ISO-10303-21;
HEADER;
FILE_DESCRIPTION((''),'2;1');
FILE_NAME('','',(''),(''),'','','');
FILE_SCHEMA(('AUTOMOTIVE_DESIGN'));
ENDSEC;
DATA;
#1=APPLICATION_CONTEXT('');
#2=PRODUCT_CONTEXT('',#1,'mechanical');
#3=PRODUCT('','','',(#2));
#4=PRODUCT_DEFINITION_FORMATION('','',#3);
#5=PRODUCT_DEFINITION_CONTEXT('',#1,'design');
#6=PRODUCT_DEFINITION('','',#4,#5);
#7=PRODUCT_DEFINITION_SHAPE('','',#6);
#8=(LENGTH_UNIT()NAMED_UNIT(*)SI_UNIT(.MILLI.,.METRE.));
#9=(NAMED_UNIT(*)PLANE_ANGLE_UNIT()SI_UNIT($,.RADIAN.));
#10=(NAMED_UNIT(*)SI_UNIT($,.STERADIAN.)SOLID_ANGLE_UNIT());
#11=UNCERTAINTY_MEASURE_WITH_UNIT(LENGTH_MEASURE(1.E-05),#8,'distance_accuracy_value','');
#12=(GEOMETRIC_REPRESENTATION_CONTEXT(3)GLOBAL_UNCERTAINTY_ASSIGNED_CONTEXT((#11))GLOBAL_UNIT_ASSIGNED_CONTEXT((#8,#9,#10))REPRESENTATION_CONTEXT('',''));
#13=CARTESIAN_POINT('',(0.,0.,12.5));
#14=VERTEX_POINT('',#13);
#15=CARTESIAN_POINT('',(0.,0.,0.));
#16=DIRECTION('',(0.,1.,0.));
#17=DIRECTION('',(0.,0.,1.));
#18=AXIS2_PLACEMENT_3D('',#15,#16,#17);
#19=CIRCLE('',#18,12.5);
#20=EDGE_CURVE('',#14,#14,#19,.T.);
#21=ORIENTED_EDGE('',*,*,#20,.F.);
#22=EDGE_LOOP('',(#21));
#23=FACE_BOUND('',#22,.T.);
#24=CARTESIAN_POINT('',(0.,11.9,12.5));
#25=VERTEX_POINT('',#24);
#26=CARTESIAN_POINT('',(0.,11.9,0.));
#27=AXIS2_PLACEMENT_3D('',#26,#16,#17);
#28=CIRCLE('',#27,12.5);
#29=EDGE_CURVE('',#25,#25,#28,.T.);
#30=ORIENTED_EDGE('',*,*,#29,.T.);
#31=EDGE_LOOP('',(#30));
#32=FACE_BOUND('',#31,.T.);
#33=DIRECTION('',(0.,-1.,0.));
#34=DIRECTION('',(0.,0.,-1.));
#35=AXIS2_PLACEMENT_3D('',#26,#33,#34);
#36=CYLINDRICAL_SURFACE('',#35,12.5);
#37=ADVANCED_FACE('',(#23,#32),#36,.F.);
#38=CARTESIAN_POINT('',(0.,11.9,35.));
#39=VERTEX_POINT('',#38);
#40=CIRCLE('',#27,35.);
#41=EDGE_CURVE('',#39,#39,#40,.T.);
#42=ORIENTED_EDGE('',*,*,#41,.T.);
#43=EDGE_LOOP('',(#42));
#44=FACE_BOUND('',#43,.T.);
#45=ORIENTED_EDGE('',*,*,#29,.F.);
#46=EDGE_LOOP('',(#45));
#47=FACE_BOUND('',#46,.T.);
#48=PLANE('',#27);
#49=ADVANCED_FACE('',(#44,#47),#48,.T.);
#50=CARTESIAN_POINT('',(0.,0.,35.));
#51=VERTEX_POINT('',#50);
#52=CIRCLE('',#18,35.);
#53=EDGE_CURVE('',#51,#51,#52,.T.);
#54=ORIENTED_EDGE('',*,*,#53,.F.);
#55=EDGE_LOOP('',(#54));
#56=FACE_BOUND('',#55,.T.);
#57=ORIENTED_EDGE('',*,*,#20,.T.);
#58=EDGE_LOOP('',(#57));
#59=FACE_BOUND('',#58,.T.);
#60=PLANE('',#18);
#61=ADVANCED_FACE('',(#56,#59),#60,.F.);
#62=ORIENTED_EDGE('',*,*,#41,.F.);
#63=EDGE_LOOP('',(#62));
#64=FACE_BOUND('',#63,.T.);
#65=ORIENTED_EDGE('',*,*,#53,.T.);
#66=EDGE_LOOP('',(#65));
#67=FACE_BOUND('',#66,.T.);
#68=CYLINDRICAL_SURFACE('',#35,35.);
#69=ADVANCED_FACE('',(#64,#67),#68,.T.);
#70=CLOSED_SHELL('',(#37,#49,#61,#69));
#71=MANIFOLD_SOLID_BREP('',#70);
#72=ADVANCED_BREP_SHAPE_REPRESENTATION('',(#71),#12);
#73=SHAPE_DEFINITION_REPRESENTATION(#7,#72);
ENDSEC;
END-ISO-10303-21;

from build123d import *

# Parameters (mm, degrees)
SKETCH1_R           = 35
SKETCH1_R_2         = 12.5
BOSS_EXTRUDE1_DEPTH = 11.9


with BuildPart() as part:
    # Sketch1 → Boss-Extrude1 (new body)
    with BuildSketch(Plane(origin=(0, 0, 0), x_dir=(1, 0, 0), z_dir=(0, 1, 0))):
        Circle(SKETCH1_R)
        Circle(SKETCH1_R_2, mode=Mode.SUBTRACT)
    extrude(amount=BOSS_EXTRUDE1_DEPTH)


solid = part.part
